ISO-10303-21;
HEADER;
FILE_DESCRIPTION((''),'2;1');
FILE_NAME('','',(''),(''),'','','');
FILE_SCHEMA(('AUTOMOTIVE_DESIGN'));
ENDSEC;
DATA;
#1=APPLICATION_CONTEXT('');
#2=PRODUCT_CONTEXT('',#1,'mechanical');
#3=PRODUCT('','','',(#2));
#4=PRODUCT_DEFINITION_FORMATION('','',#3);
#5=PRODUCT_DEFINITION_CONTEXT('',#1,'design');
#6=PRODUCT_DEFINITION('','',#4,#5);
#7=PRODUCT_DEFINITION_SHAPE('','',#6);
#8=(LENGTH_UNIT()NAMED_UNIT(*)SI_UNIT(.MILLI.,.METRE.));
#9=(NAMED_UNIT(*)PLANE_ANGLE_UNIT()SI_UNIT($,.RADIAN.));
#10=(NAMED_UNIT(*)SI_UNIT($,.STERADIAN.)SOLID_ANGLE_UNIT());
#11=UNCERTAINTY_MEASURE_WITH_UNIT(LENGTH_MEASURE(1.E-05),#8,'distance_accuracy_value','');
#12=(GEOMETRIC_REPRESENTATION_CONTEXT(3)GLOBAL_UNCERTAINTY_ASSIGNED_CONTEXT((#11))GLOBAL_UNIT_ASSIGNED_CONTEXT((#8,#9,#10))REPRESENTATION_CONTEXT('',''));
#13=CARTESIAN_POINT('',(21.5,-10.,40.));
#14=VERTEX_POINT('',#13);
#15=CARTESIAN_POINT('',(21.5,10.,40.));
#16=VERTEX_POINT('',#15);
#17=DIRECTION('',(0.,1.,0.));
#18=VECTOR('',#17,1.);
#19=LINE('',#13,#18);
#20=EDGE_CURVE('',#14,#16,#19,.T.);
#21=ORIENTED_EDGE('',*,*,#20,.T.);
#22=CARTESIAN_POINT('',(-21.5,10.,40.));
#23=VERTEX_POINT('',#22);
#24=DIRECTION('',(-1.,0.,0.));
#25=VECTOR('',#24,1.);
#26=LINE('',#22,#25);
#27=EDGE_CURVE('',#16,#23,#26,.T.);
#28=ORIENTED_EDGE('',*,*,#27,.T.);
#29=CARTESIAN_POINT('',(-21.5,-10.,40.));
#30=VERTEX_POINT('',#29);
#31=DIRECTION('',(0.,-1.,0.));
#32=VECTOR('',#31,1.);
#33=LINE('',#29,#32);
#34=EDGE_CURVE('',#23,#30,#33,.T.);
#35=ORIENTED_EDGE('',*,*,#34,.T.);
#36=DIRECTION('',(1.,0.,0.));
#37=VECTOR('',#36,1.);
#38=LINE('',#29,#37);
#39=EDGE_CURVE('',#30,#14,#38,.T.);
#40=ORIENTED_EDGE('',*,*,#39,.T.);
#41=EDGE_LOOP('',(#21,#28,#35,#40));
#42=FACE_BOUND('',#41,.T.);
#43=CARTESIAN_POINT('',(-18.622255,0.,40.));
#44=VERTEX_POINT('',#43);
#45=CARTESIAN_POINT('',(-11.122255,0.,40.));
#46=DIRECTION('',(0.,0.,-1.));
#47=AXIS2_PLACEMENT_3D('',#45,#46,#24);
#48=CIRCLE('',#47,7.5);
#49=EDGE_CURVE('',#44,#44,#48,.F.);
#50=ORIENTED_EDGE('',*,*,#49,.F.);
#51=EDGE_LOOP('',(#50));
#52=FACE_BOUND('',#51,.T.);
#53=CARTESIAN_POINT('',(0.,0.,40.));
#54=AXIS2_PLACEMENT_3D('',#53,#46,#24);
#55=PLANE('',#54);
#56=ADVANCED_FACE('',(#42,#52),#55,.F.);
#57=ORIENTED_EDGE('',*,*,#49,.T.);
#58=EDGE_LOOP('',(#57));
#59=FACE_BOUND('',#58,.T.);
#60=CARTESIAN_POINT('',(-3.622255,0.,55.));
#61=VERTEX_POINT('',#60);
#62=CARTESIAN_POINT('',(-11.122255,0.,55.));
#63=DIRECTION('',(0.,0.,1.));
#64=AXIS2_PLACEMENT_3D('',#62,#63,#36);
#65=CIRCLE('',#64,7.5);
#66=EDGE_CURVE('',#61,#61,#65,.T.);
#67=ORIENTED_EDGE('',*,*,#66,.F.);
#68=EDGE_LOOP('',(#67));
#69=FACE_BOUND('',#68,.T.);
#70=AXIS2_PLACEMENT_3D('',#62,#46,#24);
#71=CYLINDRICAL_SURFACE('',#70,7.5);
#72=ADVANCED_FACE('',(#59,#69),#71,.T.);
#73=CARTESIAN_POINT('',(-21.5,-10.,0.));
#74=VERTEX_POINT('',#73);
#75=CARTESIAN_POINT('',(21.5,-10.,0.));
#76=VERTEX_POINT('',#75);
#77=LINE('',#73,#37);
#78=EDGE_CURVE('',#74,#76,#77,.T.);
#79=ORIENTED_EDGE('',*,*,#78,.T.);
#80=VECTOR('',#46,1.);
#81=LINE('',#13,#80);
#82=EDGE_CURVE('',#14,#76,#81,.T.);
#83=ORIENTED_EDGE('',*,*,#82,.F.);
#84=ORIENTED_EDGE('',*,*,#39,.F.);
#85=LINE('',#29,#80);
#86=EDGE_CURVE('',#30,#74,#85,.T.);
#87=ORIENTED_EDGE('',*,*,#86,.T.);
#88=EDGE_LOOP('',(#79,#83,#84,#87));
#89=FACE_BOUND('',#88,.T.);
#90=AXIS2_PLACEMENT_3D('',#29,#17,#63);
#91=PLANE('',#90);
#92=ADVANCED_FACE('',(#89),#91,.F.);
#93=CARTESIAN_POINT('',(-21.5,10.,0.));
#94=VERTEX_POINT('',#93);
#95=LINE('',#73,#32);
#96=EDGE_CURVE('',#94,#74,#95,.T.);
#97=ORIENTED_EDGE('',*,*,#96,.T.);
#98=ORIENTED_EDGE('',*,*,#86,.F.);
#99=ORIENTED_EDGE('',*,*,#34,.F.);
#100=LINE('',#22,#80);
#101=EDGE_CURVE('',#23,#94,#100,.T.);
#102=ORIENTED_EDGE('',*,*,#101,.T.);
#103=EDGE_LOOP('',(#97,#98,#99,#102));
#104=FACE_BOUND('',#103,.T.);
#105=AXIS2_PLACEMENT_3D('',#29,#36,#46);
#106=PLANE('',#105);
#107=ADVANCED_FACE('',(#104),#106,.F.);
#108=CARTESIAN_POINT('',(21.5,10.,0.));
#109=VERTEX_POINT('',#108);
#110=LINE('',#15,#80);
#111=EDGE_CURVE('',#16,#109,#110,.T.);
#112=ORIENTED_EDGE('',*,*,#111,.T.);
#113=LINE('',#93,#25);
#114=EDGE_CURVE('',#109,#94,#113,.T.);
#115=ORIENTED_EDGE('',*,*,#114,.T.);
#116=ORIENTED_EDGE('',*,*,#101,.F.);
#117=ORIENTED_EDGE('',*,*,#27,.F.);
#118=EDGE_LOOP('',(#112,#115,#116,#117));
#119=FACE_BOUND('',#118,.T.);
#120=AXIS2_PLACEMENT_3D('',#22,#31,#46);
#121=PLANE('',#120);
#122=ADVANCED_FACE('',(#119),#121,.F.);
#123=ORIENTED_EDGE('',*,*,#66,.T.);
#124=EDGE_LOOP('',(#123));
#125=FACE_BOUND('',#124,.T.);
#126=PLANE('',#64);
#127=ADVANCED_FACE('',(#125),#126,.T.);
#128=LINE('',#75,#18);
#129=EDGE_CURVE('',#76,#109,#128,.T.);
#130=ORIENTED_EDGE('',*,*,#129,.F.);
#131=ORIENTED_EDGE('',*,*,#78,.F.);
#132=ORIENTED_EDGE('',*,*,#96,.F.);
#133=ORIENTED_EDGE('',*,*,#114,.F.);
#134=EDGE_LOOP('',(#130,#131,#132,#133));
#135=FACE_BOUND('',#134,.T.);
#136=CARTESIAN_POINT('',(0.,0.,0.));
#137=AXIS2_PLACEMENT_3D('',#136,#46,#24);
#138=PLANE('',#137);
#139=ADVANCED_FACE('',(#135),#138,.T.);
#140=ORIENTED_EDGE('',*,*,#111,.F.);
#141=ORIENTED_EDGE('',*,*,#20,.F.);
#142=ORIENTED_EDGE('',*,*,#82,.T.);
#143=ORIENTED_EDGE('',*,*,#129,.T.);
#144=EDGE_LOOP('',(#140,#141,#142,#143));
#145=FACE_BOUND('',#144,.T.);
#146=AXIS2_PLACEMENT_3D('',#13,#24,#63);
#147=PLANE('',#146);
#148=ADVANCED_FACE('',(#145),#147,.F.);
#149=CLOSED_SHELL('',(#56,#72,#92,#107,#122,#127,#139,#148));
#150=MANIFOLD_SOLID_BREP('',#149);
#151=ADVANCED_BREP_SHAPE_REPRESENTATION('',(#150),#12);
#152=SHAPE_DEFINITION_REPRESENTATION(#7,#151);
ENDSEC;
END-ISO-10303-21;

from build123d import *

# Parameters (mm, degrees)
SKETCH1_W           = 43
SKETCH1_H           = 20
BOSS_EXTRUDE1_DEPTH = 40
SKETCH2_R           = 7.5
BOSS_EXTRUDE2_DEPTH = 15


with BuildPart() as part:
    # Sketch1 → Boss-Extrude1 (new body)
    with BuildSketch(Plane.XY):
        Rectangle(SKETCH1_W, SKETCH1_H)
    extrude(amount=BOSS_EXTRUDE1_DEPTH)

    # Sketch2 → Boss-Extrude2 (add)
    with BuildSketch(Plane.XY.offset(40)):
        with Locations((-11.122255155, 0)):
            Circle(SKETCH2_R)
    extrude(amount=BOSS_EXTRUDE2_DEPTH)


solid = part.part
